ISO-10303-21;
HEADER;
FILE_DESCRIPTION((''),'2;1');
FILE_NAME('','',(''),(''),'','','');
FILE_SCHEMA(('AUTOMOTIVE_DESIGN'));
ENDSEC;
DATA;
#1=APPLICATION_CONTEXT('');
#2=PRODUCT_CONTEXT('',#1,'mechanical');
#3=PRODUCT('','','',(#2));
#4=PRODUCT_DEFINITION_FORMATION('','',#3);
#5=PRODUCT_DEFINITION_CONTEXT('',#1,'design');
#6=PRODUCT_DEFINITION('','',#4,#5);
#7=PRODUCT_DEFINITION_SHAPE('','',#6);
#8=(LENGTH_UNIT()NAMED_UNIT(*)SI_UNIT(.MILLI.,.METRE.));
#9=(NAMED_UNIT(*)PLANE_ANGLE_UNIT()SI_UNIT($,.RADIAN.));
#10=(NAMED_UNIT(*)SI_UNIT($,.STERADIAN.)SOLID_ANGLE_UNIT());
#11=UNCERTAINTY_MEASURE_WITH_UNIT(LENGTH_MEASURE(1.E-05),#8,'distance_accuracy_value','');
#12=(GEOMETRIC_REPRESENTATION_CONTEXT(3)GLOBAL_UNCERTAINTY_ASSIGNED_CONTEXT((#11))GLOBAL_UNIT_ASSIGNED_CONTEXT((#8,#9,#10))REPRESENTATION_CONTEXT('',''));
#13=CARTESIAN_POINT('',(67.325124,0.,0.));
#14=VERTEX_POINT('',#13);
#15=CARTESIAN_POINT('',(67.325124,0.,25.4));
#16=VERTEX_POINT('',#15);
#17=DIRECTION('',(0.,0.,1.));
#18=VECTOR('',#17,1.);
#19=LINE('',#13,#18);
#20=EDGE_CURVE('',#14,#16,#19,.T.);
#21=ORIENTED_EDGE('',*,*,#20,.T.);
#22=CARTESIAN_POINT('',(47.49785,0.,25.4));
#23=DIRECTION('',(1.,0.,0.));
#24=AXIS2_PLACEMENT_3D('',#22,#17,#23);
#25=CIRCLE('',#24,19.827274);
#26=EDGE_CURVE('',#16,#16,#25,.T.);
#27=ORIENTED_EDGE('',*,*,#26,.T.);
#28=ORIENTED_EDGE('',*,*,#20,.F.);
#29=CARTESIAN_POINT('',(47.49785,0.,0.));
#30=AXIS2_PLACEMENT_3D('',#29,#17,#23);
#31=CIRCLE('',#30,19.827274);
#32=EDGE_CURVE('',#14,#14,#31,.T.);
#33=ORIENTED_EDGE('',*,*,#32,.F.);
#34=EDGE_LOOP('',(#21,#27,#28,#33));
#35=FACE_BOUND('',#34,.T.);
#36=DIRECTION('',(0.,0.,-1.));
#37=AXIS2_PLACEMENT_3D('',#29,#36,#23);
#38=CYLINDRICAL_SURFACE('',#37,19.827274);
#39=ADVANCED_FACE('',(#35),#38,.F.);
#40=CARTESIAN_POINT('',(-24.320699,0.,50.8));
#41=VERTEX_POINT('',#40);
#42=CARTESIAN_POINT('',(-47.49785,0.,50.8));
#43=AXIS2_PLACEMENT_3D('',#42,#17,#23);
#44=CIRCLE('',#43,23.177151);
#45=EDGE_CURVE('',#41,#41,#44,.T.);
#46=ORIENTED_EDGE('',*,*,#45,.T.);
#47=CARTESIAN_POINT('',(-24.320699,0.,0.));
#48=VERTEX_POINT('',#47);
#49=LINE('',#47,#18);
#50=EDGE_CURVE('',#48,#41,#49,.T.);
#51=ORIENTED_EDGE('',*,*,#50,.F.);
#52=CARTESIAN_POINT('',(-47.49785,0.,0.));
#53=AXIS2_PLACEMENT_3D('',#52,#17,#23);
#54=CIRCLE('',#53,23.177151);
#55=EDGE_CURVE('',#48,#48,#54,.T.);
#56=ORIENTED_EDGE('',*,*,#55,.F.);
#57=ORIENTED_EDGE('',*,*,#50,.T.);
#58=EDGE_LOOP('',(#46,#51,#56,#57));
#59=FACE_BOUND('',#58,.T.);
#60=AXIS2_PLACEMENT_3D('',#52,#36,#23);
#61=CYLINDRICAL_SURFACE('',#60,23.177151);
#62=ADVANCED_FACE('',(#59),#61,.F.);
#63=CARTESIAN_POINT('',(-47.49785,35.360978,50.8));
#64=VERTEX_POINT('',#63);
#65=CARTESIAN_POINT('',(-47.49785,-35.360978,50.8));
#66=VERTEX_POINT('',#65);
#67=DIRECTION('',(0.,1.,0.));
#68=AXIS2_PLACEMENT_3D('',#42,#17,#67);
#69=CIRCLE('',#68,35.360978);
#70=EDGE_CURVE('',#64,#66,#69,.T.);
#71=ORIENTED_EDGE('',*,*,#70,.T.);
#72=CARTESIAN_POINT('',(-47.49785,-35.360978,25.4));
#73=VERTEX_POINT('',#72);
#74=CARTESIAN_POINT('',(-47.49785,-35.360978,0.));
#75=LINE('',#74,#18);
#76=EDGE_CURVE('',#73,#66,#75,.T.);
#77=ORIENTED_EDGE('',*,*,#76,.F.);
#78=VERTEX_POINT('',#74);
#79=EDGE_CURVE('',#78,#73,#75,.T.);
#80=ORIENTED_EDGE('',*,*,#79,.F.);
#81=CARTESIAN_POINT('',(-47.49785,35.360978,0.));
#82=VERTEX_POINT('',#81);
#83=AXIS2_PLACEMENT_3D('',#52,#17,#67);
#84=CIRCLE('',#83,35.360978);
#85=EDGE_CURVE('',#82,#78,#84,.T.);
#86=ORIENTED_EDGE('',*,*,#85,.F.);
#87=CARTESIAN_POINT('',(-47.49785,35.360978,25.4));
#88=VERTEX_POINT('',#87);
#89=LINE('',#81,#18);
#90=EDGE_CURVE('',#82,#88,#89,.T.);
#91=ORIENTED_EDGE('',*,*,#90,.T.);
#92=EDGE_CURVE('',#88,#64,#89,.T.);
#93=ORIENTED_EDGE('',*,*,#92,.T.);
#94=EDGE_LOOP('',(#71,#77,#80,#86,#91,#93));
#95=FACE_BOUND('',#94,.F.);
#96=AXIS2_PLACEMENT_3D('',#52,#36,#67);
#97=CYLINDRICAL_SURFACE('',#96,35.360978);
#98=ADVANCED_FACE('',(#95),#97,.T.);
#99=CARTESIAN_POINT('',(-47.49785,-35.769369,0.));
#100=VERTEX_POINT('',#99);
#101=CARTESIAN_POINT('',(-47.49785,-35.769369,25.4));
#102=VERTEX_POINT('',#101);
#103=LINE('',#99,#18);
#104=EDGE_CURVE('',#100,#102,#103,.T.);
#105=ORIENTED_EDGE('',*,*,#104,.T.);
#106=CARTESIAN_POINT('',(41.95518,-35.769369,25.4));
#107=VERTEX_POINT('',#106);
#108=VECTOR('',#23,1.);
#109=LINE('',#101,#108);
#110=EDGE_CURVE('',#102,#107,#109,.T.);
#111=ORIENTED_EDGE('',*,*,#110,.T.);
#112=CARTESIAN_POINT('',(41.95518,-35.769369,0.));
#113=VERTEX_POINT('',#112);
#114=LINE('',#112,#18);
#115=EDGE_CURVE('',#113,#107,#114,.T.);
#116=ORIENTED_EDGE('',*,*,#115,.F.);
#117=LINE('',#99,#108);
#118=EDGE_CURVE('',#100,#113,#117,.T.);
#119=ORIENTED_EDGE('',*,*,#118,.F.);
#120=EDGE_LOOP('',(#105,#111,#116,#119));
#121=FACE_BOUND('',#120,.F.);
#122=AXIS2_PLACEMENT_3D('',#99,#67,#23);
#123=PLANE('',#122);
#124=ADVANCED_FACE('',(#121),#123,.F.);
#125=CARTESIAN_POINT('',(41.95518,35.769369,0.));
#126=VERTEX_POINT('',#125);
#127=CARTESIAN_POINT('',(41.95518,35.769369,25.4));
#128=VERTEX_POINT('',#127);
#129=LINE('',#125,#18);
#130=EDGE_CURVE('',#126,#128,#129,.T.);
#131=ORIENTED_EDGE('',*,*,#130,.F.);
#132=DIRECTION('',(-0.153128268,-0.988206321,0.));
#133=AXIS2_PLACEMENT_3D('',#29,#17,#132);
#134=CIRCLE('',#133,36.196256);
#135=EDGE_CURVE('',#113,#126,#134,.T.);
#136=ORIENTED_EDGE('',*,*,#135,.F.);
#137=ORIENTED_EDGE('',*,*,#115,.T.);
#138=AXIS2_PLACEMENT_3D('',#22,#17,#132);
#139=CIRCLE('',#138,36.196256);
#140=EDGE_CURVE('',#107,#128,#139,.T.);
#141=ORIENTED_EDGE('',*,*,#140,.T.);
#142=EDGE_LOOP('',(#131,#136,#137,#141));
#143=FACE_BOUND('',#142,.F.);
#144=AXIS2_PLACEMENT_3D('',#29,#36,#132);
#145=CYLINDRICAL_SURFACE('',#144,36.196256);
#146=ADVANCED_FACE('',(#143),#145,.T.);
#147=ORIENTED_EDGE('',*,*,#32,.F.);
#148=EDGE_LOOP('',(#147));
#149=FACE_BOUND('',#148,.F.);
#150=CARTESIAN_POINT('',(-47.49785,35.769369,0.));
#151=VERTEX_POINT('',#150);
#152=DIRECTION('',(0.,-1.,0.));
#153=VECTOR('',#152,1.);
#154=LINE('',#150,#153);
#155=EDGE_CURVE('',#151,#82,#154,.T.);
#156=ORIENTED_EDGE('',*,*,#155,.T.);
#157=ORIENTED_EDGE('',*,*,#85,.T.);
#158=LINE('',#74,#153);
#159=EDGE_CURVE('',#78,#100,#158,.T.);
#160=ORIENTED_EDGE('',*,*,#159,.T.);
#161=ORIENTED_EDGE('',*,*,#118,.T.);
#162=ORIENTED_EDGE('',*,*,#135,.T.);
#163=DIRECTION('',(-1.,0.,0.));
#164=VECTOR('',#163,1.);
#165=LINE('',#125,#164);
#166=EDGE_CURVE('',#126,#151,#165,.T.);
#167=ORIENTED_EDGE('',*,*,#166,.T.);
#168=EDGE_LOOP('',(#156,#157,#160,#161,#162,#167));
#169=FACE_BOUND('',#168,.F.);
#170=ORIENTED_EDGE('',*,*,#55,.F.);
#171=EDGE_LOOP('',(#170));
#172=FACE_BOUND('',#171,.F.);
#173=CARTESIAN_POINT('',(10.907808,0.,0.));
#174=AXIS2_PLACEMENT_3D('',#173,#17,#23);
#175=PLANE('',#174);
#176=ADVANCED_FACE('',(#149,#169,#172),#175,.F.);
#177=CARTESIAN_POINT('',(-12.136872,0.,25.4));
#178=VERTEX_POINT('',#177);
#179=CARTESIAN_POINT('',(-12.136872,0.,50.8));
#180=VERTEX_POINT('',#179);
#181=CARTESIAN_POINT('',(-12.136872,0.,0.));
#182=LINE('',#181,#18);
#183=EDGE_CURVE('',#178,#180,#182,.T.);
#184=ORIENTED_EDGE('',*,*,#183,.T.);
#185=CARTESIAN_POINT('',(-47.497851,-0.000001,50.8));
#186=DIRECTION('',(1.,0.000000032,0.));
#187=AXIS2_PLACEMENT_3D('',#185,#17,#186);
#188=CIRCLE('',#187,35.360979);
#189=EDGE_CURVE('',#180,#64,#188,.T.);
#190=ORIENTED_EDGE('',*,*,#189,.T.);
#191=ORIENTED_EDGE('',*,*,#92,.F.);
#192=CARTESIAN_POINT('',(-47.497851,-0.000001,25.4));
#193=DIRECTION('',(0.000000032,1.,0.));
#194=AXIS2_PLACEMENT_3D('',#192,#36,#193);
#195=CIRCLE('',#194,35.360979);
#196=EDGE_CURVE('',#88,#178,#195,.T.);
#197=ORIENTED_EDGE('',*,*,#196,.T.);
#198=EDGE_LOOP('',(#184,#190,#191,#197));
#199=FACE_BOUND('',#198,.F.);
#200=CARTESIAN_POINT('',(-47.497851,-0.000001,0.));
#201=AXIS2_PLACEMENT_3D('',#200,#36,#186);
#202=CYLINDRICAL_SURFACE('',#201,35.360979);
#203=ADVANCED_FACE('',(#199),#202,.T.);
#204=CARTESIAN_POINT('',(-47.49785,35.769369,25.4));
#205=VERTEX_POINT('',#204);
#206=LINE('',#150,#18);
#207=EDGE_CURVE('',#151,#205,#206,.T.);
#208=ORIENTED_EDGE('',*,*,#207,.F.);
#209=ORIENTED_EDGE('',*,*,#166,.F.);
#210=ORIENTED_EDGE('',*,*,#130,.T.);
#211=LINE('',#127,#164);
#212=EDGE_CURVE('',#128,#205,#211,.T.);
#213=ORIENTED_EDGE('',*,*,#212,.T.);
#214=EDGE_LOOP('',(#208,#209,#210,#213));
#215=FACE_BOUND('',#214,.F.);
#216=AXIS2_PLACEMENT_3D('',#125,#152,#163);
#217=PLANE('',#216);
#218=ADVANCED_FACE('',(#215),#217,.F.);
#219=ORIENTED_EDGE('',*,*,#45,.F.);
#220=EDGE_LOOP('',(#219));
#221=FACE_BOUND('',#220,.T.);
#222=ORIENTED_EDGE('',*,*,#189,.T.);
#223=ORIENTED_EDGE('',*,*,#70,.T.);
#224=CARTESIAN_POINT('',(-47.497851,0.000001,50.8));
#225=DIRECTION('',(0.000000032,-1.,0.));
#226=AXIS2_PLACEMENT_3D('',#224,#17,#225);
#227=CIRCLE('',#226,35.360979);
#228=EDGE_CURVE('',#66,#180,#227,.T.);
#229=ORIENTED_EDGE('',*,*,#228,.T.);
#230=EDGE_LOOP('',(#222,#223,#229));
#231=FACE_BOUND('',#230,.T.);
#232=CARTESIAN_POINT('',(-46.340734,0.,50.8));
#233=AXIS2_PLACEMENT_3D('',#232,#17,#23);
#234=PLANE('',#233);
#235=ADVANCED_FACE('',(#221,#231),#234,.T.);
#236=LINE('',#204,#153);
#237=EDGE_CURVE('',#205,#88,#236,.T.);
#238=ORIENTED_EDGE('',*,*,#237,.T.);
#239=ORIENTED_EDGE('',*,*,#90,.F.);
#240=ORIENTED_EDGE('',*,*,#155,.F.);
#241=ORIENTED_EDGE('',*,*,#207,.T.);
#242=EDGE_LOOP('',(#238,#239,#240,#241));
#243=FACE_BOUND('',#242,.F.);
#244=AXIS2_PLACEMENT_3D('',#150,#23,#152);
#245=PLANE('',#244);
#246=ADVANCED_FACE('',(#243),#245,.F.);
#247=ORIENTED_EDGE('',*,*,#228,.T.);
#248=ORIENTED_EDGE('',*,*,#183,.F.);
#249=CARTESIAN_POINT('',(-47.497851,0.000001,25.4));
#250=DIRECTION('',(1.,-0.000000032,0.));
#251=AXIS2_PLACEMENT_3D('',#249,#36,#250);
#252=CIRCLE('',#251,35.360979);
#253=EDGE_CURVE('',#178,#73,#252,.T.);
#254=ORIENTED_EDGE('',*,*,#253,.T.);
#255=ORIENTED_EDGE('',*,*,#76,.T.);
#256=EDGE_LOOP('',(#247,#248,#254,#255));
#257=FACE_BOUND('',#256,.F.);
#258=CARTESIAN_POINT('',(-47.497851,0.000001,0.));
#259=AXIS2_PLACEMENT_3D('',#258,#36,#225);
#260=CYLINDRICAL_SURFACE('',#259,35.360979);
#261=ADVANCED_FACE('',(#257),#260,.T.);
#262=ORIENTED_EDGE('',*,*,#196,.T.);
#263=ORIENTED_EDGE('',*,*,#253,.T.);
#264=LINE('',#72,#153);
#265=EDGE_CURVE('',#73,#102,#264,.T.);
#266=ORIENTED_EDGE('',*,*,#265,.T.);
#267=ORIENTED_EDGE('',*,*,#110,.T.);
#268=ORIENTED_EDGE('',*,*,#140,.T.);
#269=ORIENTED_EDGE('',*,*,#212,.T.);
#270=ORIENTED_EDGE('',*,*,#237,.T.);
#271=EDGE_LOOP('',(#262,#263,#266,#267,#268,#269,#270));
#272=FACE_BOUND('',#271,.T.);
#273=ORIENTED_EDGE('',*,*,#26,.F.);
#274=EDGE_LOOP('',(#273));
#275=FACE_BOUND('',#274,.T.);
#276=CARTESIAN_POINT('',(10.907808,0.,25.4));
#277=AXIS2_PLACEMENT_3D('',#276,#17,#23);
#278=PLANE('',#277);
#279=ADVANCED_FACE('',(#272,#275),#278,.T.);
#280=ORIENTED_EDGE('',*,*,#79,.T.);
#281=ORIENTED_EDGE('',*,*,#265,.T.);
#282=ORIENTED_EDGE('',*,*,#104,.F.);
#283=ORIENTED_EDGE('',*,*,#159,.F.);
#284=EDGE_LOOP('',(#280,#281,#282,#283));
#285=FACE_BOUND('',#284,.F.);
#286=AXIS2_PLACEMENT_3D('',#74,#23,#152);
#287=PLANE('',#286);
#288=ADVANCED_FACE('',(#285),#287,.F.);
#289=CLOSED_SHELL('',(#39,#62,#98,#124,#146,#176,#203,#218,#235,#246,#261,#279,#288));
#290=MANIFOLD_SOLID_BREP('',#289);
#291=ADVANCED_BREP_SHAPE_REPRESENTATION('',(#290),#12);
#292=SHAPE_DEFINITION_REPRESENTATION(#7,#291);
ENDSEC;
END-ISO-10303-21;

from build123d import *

# Parameters (mm, degrees)
F0_R     = 23.177151
F1_DEPTH = 50.8
F0_R_2   = 19.827274
F2_DEPTH = 25.4


with BuildPart() as f1:
    # F0 (on Top) → F1 (new body)
    with BuildSketch(Plane.XY):
        with BuildLine():
            ThreePointArc((-12.136872, 0), (-22.493863, 25.003987), (-47.49785, 35.360978))
            ThreePointArc((-47.49785, 35.360978), (-82.858828, 0), (-47.49785, -35.360978))
            ThreePointArc((-47.49785, -35.360978), (-22.493863, -25.003987), (-12.136872, 0))
        make_face()
        with Locations((-47.49785, 0)):
            Circle(F0_R, mode=Mode.SUBTRACT)
    extrude(amount=F1_DEPTH)

    # F0 (on Top) → F2 (join)
    with BuildSketch(Plane.XY):
        with BuildLine():
            Line((41.95518, 35.769369), (-47.49785, 35.769369))
            Line((-47.49785, 35.769369), (-47.49785, 35.360978))
            ThreePointArc((-47.49785, 35.360978), (-22.493863, 25.003987), (-12.136872, 0))
            ThreePointArc((-12.136872, 0), (-22.493863, -25.003987), (-47.49785, -35.360978))
            Line((-47.49785, -35.360978), (-47.49785, -35.769369))
            Line((-47.49785, -35.769369), (41.95518, -35.769369))
            ThreePointArc((41.95518, -35.769369), (83.694106, 0), (41.95518, 35.769369))
        make_face()
        with Locations((47.49785, 0)):
            Circle(F0_R_2, mode=Mode.SUBTRACT)
    extrude(amount=F2_DEPTH)


solid = f1.part
